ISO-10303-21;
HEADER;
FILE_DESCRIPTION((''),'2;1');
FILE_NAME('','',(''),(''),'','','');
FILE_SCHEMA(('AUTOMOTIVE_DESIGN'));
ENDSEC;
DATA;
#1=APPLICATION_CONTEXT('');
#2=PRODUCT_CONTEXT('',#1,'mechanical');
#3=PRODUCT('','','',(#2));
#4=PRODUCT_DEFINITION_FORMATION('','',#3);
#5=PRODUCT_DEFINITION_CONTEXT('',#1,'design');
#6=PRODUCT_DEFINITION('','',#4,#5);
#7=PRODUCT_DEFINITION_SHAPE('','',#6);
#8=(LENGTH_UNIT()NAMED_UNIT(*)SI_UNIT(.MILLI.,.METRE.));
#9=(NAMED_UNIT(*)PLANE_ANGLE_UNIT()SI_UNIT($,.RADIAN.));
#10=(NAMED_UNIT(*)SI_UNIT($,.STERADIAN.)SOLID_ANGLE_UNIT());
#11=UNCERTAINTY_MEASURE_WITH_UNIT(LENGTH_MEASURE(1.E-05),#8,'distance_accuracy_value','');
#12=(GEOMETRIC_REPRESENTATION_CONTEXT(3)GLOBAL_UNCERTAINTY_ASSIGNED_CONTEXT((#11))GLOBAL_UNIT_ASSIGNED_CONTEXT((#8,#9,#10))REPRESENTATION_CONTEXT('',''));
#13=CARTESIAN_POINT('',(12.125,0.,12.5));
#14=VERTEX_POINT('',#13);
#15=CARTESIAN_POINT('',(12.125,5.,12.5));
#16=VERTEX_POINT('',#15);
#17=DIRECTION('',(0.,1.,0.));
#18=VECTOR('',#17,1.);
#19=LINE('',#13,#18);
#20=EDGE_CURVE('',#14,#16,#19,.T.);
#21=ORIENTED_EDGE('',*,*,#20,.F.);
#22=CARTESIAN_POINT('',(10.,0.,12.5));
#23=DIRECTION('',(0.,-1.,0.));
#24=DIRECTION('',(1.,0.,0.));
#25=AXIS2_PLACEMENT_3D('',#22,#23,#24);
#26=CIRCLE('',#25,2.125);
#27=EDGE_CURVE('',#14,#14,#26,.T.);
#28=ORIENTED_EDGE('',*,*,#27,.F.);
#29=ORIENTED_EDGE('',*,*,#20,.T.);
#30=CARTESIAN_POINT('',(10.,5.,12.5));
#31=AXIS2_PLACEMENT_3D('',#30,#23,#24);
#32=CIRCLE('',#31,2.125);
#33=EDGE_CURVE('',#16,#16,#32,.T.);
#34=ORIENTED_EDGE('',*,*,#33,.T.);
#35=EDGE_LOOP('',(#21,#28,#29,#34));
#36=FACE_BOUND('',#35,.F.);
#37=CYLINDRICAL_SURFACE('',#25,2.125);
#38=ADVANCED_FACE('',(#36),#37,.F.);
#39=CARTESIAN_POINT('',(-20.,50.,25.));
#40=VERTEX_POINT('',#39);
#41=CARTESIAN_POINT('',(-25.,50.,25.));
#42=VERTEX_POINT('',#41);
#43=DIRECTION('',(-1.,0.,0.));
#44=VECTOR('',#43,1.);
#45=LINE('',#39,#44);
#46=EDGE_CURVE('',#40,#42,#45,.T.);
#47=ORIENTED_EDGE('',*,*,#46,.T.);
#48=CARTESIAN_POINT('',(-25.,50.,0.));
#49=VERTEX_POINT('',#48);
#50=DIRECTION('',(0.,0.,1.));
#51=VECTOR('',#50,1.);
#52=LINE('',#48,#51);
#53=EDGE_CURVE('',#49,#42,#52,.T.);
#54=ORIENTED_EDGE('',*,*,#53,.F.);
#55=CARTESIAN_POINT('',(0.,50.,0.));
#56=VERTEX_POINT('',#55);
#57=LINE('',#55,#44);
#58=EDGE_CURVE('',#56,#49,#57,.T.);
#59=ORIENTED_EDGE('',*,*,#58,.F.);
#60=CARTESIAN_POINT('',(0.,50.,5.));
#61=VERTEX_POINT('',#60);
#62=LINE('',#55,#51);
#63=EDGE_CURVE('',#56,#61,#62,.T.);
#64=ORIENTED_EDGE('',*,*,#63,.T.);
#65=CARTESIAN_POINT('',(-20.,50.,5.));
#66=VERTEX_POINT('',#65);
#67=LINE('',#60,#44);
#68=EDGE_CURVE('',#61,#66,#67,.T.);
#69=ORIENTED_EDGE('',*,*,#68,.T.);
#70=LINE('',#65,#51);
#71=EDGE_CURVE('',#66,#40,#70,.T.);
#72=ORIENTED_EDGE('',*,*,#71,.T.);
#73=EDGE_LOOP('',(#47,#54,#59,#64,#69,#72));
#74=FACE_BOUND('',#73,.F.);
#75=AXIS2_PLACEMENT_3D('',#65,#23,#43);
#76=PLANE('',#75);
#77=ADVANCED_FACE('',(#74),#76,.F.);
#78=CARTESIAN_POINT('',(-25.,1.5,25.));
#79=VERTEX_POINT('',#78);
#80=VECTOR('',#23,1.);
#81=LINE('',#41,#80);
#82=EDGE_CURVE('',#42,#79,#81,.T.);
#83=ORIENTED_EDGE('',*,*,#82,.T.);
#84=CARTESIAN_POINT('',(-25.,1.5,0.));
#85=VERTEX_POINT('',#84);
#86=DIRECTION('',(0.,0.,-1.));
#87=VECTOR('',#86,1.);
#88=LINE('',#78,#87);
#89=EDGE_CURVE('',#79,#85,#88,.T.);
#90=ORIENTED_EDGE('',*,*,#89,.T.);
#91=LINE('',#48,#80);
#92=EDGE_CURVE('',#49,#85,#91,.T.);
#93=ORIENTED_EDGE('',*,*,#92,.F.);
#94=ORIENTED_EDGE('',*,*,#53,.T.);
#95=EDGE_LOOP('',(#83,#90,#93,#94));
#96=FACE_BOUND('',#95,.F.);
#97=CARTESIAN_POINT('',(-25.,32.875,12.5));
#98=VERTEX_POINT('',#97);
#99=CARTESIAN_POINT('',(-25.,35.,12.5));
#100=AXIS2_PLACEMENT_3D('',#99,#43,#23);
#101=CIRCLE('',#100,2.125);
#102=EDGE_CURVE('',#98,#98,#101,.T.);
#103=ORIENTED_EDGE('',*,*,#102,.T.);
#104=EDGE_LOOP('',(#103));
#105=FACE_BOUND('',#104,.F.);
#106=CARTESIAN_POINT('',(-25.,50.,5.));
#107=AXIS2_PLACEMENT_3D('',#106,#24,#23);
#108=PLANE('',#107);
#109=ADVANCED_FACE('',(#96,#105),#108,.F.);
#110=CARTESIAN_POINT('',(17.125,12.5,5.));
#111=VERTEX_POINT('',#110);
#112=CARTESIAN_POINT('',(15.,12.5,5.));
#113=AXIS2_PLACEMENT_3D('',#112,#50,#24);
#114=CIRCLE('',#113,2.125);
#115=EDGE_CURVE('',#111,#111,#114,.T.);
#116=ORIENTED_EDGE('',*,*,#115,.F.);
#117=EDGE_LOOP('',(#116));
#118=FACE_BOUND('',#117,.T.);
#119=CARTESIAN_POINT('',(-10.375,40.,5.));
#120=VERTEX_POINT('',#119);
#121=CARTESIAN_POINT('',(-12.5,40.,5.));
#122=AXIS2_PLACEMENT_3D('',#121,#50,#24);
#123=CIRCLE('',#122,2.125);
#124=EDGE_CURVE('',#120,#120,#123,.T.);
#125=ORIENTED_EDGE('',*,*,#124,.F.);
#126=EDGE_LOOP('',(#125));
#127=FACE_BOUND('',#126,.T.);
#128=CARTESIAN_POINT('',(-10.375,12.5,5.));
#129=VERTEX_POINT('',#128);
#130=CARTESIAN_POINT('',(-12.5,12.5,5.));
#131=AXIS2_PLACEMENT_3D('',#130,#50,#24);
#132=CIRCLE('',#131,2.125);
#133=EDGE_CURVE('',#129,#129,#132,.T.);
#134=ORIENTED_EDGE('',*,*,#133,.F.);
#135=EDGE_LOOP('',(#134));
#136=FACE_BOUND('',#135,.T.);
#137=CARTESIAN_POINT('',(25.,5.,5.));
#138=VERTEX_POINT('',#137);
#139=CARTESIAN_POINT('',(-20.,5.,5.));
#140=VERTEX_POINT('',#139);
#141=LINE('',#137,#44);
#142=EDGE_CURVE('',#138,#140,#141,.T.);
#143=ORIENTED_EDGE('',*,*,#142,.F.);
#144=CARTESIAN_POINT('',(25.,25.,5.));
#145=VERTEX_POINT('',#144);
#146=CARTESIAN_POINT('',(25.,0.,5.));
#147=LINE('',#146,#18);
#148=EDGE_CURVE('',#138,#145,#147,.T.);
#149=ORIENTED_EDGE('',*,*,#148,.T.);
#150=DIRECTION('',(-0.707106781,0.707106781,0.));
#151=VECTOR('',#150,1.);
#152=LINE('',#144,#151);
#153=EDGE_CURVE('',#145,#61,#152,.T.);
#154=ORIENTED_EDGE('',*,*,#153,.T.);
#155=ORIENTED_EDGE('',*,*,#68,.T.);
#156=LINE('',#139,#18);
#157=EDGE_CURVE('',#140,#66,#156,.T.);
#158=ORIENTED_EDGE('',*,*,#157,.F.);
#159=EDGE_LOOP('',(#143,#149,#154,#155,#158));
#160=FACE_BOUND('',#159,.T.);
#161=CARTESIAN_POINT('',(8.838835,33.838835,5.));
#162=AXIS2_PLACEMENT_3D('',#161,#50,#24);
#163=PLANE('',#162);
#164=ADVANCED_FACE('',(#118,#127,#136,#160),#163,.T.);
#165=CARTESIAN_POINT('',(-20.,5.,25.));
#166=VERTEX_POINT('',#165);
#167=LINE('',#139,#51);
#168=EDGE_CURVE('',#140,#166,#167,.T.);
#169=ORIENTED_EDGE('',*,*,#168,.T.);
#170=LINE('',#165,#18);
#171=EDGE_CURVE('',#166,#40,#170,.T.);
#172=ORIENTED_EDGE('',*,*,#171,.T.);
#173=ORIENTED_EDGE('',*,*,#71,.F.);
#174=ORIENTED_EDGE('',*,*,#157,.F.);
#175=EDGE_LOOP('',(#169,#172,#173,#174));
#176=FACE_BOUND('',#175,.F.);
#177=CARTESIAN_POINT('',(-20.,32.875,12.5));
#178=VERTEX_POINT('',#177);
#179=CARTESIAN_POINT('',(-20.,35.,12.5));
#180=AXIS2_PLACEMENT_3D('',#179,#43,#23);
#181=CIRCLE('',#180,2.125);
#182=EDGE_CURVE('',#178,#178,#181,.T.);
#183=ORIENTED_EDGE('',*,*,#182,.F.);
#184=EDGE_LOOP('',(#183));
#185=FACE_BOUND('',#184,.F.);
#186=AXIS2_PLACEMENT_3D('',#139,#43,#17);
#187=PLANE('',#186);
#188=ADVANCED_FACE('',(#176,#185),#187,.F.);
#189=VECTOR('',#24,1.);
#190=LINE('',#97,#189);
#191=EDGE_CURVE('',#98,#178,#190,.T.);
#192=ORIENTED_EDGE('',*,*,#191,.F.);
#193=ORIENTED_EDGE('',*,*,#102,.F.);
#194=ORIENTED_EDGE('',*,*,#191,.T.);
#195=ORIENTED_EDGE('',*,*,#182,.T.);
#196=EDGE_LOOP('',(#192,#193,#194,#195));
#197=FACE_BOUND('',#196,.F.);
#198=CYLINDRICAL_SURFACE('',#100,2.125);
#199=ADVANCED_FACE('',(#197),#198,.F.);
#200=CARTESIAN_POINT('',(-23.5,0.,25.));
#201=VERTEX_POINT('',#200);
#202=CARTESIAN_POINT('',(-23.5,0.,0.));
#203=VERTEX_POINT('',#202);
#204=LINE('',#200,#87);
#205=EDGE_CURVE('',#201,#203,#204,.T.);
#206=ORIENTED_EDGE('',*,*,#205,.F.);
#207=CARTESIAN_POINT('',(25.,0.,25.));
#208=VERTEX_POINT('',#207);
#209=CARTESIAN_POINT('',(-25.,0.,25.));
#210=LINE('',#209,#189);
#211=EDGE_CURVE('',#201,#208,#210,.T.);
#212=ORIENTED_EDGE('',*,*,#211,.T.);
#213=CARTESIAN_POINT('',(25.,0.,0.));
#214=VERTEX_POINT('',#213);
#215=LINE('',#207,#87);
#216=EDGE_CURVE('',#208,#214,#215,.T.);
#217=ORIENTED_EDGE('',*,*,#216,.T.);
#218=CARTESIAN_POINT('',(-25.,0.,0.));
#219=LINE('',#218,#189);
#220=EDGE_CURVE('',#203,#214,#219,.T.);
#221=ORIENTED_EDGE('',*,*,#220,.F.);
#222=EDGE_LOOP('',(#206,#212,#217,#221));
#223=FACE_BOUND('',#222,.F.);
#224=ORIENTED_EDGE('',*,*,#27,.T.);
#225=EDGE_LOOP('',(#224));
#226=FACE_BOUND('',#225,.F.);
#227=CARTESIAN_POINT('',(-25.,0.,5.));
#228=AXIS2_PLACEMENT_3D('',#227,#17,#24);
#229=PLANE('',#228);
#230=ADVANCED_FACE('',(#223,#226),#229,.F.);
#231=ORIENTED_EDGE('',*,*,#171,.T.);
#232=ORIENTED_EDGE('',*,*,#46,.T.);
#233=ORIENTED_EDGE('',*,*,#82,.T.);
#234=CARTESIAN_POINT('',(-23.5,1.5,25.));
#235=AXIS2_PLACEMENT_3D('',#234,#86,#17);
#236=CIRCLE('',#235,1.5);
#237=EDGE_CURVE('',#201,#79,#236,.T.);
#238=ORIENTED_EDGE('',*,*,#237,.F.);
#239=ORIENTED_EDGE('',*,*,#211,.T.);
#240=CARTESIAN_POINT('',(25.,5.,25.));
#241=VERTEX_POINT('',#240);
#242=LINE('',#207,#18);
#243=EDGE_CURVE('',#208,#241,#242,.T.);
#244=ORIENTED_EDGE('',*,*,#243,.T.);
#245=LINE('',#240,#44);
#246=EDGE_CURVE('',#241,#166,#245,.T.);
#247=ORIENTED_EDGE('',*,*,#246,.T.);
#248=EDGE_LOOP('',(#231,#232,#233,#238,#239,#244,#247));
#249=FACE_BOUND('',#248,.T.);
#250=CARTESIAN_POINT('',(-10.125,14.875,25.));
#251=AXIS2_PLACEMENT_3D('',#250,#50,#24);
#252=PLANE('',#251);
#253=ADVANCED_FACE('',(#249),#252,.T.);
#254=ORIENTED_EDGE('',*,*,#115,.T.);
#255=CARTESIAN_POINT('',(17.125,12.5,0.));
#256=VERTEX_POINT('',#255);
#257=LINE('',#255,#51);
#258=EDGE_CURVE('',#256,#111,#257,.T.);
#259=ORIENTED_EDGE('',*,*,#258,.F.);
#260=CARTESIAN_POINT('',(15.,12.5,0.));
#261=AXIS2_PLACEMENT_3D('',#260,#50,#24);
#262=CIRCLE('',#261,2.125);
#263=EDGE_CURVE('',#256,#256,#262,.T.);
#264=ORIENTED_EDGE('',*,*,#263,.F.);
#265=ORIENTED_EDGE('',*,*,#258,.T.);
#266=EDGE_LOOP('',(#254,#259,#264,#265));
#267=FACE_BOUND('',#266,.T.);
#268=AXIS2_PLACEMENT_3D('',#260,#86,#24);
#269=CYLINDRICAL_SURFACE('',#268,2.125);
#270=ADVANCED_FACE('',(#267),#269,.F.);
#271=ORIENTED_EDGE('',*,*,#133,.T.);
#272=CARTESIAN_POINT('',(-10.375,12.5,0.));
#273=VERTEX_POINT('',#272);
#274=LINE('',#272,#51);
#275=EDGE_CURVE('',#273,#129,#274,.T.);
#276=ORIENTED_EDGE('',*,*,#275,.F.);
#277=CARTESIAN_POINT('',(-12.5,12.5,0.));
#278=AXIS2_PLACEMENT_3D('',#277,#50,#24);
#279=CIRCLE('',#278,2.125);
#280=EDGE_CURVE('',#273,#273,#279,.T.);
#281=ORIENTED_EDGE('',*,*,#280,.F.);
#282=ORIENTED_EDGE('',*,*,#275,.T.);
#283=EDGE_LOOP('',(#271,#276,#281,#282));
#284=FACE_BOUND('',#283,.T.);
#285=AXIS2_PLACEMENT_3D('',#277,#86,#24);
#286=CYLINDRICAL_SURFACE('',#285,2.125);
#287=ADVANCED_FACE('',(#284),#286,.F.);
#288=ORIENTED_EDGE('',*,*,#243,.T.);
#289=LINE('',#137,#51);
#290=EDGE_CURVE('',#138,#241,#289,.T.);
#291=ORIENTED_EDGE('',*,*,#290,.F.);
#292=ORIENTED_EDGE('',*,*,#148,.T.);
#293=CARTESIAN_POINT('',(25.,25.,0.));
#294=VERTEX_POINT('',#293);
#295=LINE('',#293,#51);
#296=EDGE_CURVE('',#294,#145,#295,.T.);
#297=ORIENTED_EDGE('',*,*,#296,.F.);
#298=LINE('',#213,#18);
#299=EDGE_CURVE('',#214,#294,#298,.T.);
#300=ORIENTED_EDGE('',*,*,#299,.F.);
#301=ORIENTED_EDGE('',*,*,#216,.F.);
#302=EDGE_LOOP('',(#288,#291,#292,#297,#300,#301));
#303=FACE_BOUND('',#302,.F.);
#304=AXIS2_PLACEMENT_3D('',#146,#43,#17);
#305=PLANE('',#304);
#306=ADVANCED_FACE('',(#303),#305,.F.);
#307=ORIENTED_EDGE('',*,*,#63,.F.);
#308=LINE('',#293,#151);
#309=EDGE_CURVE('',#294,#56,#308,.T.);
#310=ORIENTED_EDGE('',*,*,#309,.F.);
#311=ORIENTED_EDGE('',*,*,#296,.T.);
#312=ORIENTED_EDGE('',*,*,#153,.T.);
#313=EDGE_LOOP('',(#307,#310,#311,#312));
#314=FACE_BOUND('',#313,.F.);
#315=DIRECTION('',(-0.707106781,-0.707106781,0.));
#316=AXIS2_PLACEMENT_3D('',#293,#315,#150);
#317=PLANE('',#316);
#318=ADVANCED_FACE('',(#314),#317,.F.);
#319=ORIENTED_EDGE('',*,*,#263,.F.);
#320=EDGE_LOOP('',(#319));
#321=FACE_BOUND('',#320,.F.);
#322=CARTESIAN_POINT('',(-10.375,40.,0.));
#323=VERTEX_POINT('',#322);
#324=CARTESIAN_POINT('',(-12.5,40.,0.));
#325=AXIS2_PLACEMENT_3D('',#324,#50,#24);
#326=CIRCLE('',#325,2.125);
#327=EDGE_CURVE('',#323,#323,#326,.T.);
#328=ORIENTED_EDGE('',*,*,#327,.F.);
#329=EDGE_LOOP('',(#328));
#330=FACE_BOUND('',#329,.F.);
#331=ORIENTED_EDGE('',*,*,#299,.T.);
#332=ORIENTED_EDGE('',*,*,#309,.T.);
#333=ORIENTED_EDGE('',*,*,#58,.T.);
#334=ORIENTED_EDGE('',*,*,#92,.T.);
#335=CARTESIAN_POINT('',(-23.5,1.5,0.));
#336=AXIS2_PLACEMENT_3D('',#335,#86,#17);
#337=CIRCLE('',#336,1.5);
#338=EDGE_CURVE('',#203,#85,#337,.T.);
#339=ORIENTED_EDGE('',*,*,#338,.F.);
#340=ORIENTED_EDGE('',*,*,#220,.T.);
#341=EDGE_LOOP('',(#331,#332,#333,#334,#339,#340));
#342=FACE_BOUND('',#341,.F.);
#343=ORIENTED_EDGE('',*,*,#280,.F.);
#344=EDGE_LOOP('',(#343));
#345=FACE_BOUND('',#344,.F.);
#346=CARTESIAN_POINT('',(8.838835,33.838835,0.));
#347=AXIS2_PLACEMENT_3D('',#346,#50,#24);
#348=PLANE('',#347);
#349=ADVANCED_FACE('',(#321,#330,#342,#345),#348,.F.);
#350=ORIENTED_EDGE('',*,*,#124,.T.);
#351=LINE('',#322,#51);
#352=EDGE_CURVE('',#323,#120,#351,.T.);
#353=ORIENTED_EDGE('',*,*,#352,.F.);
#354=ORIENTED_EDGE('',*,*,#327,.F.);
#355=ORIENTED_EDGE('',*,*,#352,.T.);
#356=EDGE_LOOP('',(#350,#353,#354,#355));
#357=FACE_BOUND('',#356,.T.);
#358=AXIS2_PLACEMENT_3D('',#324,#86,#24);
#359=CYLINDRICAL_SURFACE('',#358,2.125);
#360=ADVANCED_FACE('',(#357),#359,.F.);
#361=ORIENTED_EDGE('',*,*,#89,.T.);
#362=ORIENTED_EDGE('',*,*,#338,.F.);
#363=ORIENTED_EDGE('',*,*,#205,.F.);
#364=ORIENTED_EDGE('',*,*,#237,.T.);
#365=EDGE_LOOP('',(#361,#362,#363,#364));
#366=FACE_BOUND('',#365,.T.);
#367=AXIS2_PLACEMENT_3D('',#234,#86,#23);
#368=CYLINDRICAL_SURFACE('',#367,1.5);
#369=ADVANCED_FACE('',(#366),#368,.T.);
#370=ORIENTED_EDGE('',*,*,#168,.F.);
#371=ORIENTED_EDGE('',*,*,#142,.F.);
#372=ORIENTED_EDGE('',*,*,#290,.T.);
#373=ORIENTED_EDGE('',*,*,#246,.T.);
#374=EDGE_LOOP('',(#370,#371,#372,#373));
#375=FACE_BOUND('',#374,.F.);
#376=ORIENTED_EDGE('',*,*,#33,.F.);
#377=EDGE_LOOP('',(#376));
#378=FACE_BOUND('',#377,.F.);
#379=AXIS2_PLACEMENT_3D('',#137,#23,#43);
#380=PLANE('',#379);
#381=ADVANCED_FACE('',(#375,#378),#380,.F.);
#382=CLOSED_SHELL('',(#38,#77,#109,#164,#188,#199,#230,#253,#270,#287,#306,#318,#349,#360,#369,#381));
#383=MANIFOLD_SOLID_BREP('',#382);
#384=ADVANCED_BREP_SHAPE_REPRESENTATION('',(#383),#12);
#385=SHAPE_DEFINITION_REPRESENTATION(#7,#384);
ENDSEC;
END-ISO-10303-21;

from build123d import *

# Parameters (mm, degrees)
F0_R      = 2.125
F1_DEPTH  = 5
F3_DEPTH  = 20
F4_R      = 2.125
F5_DEPTH  = 5
F7_DEPTH  = 5
F8_R      = 1.5
F9_R      = 2.125
F10_DEPTH = 25


with BuildPart() as f1:
    # F0 (on Top) → F1 (new body)
    with BuildSketch(Plane.XY):
        Polygon((0, 25), (0, 50), (-25, 50), (-25, 0), (25, 0), (25, 25), align=None)
        with Locations((-12.5, 12.5)):
            Circle(F0_R, mode=Mode.SUBTRACT)
        with Locations((15, 12.5)):
            Circle(F0_R, mode=Mode.SUBTRACT)
        with Locations((-12.5, 40)):
            Circle(F0_R, mode=Mode.SUBTRACT)
    extrude(amount=F1_DEPTH)

    # F2 (on face) → F3 (join)
    with BuildSketch(Plane.XY.offset(5)):
        Polygon((25, 5), (-20, 5), (-20, 50), (-25, 50), (-25, 0), (-20, 0), (25, 0), align=None)
    extrude(amount=F3_DEPTH)

    # F4 (on face) → F5 (cut)
    with BuildSketch(Plane.XZ):
        with Locations((10, 12.5)):
            Circle(F4_R)
    extrude(amount=-F5_DEPTH, mode=Mode.SUBTRACT)

    # F6 (on Top) → F7 (join)
    with BuildSketch(Plane.XY):
        Polygon((25, 25), (0, 50), (0, 25), align=None)
    extrude(amount=F7_DEPTH)

    # F8
    f8_edges = [f1.edges().sort_by_distance(p)[0] for p in [
        (-25, 0, 12.5),
    ]]
    fillet(f8_edges, radius=F8_R)

    # F9 (on face) → F10 (cut)
    with BuildSketch(Plane(origin=(-25, 0, 0), x_dir=(0, -1, 0), z_dir=(-1, 0, 0))):
        with Locations((-35, 12.5)):
            Circle(F9_R)
    extrude(amount=-F10_DEPTH, mode=Mode.SUBTRACT)


solid = f1.part
